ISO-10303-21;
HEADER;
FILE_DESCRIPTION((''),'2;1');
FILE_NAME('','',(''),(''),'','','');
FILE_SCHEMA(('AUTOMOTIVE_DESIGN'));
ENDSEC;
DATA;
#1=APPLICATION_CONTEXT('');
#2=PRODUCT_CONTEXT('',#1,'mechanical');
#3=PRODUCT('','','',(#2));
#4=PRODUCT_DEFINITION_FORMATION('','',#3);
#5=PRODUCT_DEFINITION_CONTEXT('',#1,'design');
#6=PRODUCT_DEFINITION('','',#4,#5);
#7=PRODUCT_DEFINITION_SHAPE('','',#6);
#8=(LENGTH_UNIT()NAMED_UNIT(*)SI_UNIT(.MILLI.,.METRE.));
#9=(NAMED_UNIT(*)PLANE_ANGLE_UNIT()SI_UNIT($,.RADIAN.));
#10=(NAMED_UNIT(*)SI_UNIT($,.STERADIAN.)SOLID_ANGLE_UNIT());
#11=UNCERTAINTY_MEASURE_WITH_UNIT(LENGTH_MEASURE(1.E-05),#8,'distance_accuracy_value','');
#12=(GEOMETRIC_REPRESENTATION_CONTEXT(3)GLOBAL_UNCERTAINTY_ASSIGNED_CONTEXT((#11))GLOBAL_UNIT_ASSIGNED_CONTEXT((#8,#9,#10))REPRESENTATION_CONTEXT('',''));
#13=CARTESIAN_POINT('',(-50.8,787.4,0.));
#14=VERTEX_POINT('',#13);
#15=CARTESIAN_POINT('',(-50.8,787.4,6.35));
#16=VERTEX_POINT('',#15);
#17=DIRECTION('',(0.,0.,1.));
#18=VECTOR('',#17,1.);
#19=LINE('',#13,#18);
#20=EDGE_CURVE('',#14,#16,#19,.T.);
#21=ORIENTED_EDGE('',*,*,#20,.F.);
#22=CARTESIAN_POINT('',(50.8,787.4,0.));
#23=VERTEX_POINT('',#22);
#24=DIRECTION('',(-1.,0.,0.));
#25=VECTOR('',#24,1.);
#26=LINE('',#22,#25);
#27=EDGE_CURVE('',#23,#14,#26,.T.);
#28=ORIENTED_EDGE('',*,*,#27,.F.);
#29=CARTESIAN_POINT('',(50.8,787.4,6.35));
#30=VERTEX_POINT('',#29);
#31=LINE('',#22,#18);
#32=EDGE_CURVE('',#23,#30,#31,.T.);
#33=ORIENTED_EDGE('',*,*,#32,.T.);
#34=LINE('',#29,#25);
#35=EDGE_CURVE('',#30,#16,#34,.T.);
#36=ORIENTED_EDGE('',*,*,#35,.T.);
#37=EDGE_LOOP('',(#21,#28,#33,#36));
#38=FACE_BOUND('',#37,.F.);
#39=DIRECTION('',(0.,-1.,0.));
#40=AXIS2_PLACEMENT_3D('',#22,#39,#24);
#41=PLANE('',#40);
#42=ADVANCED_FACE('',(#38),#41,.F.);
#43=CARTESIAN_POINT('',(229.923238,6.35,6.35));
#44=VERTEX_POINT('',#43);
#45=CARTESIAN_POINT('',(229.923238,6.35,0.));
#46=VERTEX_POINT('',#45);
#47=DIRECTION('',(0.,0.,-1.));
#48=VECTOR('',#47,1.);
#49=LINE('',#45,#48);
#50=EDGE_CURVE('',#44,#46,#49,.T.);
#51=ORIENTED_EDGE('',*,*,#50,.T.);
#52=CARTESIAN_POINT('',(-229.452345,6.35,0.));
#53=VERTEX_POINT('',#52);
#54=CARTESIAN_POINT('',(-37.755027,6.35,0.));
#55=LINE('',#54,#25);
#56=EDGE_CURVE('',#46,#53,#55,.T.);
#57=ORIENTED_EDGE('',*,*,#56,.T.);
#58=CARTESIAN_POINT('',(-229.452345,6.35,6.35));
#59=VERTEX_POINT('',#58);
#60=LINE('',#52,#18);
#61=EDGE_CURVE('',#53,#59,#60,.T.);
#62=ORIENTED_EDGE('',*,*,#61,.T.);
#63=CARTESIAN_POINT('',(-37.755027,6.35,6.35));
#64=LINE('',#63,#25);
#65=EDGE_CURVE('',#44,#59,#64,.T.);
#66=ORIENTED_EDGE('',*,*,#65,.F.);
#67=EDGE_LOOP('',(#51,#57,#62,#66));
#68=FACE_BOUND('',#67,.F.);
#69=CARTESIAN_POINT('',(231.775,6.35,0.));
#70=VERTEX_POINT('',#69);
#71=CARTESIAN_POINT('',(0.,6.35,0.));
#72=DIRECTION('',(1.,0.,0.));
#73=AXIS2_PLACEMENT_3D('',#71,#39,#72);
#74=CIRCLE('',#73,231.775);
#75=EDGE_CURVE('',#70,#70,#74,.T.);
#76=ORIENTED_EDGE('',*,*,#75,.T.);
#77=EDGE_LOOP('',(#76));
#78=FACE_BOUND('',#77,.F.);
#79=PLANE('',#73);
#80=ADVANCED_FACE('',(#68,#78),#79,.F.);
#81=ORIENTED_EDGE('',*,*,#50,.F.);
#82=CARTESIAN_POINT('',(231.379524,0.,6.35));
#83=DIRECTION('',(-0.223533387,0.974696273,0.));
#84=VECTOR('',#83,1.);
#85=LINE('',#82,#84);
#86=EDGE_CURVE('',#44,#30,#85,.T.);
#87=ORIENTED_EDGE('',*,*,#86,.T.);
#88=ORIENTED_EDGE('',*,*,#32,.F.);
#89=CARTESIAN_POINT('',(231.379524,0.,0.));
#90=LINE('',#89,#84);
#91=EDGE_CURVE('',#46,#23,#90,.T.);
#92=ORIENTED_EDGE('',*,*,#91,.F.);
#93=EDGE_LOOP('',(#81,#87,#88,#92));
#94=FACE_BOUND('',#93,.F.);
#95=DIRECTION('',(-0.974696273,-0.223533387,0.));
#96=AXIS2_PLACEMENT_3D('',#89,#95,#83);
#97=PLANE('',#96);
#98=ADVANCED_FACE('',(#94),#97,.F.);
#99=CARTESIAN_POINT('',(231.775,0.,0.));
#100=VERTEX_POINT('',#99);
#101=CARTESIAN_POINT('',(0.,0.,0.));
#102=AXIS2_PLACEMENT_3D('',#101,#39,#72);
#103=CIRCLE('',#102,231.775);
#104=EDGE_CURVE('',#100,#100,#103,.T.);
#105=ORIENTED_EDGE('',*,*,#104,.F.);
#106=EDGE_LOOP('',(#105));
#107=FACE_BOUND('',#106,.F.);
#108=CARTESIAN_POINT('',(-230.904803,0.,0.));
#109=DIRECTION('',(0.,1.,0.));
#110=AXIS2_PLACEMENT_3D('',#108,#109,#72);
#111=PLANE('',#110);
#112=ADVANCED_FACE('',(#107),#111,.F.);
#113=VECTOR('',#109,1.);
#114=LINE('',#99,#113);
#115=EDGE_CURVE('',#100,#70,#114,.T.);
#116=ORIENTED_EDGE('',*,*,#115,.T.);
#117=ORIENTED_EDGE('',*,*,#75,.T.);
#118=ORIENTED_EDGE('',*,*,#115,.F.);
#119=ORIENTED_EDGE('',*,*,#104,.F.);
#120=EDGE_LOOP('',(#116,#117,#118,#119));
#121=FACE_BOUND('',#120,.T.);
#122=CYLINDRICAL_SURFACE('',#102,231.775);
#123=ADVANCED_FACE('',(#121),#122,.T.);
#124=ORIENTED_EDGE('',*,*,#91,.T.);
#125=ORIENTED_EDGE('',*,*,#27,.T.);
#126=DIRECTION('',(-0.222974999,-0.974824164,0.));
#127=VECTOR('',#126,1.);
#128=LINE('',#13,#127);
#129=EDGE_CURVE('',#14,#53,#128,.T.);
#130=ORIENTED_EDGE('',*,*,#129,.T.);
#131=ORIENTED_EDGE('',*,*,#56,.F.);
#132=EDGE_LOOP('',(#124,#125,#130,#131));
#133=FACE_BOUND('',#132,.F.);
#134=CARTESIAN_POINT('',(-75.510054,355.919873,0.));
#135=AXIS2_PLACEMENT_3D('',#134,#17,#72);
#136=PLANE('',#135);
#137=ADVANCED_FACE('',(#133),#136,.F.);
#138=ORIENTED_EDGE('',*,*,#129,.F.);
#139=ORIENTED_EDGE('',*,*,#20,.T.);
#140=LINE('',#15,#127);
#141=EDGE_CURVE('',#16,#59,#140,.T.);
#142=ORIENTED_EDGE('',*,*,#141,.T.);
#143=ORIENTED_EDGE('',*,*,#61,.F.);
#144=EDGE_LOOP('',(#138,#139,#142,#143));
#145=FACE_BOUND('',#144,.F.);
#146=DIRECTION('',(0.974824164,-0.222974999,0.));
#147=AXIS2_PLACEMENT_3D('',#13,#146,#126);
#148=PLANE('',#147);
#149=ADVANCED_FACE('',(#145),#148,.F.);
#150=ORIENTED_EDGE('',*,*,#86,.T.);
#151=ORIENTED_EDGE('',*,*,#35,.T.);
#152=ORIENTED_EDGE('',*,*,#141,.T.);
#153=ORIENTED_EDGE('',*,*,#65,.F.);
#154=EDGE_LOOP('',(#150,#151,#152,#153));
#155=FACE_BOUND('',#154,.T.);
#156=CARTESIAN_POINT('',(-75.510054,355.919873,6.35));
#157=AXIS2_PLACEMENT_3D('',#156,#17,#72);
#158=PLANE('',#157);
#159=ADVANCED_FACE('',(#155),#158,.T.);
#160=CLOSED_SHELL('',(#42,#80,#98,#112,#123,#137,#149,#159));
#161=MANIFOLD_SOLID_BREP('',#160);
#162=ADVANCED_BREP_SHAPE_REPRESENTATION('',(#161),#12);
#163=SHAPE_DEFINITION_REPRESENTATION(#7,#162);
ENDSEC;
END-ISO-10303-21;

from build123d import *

# Parameters (mm, degrees)
F0_R     = 231.775
F1_DEPTH = 6.35
F3_DEPTH = 6.35


with BuildPart() as f1:
    # F0 (on Front) → F1 (new body)
    with BuildSketch(Plane.XZ):
        Circle(F0_R)
    extrude(amount=-F1_DEPTH)

    # F2 (on Top) → F3 (join)
    with BuildSketch(Plane.XY):
        Polygon((-230.904803, 0), (0, 0), (0, 787.4), (-50.8, 787.4), align=None)
        Polygon((0, 787.4), (0, 0), (231.379524, 0), (50.8, 787.4), align=None)
    extrude(amount=F3_DEPTH)


solid = f1.part
